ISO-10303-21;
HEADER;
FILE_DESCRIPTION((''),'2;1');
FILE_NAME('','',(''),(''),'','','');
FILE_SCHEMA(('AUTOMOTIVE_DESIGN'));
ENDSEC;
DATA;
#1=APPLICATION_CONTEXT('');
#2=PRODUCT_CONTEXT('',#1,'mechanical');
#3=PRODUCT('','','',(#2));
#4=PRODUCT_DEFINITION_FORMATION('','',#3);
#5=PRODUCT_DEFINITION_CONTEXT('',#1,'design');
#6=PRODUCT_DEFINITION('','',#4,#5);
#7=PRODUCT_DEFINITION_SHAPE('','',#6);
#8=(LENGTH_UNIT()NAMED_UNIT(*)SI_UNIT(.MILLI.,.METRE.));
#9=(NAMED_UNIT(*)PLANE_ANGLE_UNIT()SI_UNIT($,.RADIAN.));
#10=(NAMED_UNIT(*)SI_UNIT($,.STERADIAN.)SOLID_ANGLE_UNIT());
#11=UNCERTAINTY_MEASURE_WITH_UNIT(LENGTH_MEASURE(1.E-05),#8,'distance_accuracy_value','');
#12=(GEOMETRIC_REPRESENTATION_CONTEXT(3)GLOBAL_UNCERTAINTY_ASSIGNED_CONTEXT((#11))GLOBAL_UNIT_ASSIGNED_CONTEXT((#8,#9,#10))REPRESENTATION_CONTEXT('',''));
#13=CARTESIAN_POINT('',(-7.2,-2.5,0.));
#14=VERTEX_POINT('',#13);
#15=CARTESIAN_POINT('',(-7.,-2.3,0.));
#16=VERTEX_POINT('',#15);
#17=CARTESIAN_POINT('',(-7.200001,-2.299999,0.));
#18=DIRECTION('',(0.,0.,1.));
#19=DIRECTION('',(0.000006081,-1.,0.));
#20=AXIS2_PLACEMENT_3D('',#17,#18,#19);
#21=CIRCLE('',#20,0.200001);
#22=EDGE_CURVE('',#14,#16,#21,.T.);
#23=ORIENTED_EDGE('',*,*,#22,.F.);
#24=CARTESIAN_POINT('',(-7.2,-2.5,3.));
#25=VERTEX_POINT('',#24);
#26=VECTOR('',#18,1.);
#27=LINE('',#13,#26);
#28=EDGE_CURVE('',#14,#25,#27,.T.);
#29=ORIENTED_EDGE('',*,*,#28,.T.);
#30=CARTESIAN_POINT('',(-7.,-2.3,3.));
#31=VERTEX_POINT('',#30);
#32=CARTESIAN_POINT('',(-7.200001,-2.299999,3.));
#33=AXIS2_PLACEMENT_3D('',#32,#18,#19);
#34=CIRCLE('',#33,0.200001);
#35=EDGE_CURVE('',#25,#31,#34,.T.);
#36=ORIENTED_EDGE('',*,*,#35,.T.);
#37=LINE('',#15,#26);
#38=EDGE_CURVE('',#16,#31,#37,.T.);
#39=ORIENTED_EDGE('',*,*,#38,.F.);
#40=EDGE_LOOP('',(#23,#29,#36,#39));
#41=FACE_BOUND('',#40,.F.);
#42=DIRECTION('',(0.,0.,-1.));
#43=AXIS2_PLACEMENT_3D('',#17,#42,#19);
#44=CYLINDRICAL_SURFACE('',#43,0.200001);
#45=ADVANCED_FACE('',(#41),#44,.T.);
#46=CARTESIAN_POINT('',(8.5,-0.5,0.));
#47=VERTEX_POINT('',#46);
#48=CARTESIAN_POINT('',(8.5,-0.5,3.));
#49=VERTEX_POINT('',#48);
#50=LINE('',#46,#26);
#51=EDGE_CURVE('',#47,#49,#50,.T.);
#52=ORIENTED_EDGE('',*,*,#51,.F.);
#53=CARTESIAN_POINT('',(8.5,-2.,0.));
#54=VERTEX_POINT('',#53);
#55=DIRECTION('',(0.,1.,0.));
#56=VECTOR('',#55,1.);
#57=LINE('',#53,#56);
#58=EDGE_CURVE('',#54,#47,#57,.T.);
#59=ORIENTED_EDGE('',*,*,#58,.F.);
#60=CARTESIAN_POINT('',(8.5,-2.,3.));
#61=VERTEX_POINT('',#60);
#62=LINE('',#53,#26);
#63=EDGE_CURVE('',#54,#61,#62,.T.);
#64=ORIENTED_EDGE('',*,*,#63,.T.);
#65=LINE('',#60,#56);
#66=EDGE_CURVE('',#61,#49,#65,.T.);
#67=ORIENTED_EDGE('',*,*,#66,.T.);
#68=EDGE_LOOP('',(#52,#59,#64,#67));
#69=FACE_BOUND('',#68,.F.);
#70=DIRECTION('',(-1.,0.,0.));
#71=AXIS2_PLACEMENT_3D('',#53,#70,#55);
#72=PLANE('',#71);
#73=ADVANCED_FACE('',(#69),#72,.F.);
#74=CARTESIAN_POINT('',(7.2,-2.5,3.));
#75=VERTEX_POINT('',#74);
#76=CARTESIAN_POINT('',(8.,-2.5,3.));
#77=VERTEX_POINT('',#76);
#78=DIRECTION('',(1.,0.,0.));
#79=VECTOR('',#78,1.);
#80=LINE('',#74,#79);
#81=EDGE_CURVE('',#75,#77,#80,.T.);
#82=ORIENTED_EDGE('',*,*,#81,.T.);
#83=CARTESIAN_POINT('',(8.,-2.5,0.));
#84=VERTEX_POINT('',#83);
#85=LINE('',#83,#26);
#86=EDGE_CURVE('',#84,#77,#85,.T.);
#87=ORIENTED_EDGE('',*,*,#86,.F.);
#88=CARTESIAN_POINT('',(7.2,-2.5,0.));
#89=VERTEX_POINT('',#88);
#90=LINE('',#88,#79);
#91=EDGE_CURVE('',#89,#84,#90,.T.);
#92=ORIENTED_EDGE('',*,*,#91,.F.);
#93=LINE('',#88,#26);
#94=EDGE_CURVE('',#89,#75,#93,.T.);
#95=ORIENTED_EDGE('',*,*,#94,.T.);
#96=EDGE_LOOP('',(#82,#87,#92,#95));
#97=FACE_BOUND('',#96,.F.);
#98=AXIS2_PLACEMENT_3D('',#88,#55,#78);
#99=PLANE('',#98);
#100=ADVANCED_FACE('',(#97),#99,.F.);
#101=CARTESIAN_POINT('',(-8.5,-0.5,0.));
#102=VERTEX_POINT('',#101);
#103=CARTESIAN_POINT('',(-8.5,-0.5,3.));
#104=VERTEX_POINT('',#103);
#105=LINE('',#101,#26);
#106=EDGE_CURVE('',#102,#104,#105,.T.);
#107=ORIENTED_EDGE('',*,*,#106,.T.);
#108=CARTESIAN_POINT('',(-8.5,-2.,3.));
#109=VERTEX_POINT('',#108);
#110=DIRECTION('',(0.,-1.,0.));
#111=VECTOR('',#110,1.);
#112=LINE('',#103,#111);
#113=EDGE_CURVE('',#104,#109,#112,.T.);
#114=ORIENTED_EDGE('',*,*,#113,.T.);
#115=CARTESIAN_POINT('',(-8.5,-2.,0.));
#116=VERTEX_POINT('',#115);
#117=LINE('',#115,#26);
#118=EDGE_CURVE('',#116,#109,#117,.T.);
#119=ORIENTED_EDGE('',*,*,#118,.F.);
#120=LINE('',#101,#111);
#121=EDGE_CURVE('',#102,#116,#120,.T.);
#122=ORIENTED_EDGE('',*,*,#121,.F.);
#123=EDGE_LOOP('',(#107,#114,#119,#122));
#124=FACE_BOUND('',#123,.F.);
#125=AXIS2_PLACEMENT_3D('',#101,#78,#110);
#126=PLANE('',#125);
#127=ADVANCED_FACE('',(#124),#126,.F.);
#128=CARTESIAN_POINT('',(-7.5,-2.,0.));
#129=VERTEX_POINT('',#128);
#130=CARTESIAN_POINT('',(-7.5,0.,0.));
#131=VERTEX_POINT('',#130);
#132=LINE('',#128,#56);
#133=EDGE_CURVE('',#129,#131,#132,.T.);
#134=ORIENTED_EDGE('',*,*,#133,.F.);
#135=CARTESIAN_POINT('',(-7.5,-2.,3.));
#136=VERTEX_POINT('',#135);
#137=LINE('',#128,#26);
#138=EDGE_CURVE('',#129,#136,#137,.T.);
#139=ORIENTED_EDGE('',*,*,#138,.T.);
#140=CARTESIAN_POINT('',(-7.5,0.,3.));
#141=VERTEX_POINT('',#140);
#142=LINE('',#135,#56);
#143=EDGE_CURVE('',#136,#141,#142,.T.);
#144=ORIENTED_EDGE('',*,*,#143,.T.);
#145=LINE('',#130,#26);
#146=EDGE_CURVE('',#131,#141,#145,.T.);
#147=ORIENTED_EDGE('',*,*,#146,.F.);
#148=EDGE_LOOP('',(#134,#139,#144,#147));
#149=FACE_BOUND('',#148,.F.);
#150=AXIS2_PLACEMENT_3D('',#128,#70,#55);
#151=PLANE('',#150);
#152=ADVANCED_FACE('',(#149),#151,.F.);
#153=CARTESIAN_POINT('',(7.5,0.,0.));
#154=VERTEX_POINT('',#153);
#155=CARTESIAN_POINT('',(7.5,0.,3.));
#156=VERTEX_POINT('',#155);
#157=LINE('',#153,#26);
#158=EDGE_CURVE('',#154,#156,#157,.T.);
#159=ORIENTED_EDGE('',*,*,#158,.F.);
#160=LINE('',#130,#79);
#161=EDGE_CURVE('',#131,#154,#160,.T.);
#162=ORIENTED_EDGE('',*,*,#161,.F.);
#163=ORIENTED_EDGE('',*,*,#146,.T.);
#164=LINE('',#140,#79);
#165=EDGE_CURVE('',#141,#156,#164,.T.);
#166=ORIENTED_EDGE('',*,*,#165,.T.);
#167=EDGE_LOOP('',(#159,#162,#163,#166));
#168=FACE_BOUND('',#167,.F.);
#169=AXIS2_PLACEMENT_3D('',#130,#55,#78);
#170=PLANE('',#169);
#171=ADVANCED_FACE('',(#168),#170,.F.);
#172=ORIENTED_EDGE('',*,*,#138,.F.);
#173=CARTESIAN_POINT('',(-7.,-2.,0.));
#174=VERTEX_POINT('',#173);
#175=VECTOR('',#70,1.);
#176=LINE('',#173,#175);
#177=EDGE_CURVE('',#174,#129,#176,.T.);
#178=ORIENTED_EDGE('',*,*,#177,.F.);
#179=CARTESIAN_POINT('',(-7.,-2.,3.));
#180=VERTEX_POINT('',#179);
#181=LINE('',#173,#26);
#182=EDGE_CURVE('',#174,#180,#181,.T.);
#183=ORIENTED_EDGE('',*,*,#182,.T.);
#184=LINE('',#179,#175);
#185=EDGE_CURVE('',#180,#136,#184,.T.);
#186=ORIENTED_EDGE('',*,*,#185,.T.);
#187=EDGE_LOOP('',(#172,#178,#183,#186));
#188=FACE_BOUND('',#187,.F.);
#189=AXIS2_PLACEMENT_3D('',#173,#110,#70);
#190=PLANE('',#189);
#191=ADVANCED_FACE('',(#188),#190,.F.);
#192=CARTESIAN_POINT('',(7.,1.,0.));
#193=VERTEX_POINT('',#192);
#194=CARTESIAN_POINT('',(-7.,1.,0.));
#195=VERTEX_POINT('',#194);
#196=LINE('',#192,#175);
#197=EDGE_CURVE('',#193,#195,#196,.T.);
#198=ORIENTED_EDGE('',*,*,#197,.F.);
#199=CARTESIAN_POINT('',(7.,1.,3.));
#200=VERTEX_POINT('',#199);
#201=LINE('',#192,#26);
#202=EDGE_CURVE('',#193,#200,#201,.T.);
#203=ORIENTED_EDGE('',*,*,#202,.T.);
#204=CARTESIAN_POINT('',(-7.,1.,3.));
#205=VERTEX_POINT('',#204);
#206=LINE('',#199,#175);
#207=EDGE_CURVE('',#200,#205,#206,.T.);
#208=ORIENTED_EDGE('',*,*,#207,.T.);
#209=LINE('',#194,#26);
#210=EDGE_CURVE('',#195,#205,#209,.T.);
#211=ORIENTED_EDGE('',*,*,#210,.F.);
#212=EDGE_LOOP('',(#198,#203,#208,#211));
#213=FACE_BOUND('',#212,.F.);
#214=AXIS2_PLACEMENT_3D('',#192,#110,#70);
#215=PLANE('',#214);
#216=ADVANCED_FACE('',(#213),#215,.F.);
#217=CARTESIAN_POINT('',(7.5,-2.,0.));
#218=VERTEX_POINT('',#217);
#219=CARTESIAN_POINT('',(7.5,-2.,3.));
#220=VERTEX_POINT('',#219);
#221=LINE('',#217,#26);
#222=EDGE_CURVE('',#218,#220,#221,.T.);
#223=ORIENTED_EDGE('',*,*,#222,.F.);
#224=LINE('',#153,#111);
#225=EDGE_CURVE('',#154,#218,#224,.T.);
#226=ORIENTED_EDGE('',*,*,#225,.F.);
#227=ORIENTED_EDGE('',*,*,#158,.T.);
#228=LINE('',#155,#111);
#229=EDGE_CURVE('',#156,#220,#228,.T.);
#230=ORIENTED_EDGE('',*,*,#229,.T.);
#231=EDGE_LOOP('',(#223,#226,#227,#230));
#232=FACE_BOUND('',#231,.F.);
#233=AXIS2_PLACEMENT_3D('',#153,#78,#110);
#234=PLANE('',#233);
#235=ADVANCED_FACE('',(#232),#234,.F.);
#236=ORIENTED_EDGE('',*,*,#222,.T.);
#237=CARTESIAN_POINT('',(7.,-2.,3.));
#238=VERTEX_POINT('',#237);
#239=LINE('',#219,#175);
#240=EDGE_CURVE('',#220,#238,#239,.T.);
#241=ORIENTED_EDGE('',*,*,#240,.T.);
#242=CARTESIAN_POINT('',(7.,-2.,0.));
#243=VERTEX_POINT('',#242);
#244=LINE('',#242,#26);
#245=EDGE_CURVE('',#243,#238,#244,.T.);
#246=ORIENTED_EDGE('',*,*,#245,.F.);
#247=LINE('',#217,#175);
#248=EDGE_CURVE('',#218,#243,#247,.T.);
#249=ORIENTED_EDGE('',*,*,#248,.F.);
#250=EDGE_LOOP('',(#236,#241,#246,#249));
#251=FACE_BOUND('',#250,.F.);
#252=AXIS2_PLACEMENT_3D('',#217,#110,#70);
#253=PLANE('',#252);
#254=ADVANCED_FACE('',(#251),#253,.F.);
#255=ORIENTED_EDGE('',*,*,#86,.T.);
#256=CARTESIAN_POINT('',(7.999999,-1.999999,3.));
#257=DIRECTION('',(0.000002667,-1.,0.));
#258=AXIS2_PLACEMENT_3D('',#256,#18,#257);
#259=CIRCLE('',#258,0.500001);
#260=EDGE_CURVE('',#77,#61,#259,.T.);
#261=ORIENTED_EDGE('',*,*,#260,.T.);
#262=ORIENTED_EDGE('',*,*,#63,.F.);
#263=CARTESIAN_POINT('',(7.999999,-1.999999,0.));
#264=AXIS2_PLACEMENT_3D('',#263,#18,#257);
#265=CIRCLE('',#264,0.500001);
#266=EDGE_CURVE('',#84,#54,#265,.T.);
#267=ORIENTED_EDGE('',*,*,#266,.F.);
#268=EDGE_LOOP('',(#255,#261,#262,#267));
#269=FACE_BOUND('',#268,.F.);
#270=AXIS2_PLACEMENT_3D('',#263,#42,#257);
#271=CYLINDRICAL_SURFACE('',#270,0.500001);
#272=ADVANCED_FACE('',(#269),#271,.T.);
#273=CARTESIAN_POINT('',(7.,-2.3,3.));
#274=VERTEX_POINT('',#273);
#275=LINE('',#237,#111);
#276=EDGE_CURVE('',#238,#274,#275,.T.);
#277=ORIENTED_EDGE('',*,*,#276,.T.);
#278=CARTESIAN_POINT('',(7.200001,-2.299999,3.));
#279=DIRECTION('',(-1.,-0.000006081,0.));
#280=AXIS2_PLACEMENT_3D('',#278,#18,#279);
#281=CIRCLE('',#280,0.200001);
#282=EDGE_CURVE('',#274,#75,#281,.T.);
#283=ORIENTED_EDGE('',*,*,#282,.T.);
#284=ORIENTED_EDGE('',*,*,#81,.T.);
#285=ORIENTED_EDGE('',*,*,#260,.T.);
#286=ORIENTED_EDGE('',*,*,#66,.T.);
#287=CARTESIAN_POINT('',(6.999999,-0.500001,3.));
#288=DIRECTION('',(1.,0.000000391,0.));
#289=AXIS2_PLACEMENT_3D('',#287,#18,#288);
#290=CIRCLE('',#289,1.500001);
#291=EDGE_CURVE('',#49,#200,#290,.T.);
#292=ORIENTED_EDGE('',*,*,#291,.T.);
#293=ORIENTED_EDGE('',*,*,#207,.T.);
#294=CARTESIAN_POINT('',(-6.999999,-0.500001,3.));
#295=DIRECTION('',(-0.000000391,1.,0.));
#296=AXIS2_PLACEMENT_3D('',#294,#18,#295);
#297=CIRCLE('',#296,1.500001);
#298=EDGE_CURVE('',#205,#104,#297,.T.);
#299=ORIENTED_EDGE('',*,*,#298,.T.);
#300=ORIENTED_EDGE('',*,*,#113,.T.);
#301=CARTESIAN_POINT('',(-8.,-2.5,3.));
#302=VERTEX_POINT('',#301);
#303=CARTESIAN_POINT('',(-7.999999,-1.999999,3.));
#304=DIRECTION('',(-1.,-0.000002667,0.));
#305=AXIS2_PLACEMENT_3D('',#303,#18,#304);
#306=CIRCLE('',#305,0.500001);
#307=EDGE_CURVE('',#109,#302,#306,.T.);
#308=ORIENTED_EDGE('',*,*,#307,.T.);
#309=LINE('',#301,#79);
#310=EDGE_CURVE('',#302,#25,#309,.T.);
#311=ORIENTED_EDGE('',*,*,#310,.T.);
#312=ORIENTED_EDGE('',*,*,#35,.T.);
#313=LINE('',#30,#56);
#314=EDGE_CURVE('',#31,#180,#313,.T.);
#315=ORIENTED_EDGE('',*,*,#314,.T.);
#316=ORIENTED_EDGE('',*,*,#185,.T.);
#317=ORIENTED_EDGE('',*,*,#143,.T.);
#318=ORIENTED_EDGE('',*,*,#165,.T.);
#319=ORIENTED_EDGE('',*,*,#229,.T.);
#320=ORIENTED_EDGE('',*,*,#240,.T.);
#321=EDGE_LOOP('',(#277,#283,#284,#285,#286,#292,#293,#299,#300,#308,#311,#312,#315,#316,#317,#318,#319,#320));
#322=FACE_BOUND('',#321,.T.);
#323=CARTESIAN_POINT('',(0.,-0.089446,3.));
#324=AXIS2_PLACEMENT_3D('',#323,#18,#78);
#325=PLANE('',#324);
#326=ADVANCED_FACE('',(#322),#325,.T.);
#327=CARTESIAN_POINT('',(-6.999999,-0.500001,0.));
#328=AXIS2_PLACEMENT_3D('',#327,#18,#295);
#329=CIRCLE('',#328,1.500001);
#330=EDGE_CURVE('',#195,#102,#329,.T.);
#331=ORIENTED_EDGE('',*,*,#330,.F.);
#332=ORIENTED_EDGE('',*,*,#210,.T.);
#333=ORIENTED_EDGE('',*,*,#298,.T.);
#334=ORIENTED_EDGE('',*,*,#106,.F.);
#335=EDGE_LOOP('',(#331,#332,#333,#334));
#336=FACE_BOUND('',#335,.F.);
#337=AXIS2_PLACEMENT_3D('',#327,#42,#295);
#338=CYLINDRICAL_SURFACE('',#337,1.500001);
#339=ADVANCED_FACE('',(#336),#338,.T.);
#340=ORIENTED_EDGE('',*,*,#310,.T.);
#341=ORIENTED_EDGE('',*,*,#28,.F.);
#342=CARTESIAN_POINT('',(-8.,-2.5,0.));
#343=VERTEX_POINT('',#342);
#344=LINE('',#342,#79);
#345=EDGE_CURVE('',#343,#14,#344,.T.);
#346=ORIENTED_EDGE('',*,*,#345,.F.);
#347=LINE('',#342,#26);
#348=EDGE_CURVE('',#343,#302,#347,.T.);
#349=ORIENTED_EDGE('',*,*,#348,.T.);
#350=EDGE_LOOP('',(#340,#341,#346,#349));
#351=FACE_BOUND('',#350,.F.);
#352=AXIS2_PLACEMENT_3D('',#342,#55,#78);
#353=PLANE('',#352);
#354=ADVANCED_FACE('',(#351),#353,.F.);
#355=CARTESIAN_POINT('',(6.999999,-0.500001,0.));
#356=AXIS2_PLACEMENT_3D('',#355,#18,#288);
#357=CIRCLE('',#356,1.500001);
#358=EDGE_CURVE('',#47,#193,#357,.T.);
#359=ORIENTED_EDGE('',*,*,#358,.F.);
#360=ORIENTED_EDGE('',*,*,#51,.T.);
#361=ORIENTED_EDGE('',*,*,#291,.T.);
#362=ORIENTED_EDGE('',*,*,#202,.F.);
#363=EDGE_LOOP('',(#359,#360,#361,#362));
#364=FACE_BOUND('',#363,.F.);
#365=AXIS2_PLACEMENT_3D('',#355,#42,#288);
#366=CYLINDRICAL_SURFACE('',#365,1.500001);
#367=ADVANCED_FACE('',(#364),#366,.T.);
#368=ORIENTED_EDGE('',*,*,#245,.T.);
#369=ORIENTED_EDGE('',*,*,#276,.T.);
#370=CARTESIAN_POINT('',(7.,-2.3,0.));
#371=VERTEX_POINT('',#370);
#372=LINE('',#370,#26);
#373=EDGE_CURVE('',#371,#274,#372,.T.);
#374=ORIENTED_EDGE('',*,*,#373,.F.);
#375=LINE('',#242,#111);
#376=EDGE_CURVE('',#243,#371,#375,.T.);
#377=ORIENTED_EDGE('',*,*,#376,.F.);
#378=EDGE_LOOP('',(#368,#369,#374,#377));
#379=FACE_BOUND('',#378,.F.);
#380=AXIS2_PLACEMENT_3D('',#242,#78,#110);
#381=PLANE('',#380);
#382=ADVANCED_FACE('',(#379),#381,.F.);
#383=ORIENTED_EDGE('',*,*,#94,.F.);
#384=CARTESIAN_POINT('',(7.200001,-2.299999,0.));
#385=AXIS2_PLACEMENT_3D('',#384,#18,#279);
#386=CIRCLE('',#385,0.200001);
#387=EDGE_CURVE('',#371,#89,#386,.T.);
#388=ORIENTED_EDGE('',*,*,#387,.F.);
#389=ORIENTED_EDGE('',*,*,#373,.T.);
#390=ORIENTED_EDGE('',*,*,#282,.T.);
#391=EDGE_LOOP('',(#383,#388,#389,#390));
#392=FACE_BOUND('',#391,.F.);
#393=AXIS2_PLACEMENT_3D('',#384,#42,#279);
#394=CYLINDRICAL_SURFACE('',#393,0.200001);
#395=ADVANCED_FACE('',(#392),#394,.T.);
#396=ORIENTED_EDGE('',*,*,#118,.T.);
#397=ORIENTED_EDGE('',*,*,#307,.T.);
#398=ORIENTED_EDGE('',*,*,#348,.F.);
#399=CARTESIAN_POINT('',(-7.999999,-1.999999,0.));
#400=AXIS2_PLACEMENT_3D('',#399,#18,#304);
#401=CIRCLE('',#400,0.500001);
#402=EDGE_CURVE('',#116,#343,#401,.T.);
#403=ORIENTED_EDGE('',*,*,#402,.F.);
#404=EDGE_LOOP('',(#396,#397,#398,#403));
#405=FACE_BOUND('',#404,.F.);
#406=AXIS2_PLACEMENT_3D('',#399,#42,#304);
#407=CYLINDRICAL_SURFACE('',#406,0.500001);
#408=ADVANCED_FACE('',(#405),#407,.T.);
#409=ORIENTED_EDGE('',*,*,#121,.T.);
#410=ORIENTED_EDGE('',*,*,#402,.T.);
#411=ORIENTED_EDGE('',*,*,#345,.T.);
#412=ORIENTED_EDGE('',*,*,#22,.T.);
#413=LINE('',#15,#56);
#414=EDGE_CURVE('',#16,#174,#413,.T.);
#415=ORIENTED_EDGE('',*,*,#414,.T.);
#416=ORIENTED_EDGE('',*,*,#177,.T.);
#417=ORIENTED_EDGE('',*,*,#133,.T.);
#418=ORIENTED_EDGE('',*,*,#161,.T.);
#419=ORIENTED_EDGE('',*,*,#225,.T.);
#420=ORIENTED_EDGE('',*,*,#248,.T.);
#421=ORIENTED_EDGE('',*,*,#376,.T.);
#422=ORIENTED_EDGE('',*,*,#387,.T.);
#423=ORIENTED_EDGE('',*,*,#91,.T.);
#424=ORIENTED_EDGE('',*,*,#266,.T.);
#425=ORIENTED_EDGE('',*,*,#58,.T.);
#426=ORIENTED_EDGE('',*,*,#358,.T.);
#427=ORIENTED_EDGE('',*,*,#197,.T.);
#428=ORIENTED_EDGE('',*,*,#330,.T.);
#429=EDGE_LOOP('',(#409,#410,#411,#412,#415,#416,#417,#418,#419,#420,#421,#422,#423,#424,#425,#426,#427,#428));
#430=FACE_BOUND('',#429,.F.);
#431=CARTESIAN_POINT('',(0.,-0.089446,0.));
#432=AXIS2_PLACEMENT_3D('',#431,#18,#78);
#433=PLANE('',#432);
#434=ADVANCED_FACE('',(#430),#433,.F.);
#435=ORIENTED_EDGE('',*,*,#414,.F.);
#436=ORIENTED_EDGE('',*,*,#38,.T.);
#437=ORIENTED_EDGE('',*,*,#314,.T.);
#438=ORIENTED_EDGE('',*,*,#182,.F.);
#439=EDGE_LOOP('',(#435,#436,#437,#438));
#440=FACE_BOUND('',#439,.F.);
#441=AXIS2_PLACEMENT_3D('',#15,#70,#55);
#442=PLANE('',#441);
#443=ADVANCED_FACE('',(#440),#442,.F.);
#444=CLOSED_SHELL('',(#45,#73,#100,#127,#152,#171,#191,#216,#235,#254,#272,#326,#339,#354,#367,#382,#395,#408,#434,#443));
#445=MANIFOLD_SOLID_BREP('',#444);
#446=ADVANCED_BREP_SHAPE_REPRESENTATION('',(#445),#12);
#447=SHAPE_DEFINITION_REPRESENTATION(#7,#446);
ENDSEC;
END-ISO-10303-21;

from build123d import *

# Parameters (mm, degrees)
F1_DEPTH = 3


with BuildPart() as f1:
    # F0 (on Top) → F1 (new body)
    with BuildSketch(Plane.XY):
        with BuildLine():
            Line((-7.5, 0), (0, 0))
            Line((0, 0), (7.5, 0))
            Line((7.5, 0), (7.5, -2))
            Line((7.5, -2), (7, -2))
            Line((7, -2), (7, -2.3))
            ThreePointArc((7, -2.3), (7.058579, -2.441421), (7.2, -2.5))
            Line((7.2, -2.5), (7.5, -2.5))
            Line((7.5, -2.5), (8, -2.5))
            ThreePointArc((8, -2.5), (8.353553, -2.353553), (8.5, -2))
            Line((8.5, -2), (8.5, -0.5))
            ThreePointArc((8.5, -0.5), (8.06066, 0.56066), (7, 1))
            Line((7, 1), (0, 1))
            Line((0, 1), (-7, 1))
            ThreePointArc((-7, 1), (-8.06066, 0.56066), (-8.5, -0.5))
            Line((-8.5, -0.5), (-8.5, -2))
            ThreePointArc((-8.5, -2), (-8.353553, -2.353553), (-8, -2.5))
            Line((-8, -2.5), (-7.5, -2.5))
            Line((-7.5, -2.5), (-7.2, -2.5))
            ThreePointArc((-7.2, -2.5), (-7.058579, -2.441421), (-7, -2.3))
            Line((-7, -2.3), (-7, -2))
            Line((-7, -2), (-7.5, -2))
            Line((-7.5, -2), (-7.5, 0))
        make_face()
    extrude(amount=F1_DEPTH)


solid = f1.part
